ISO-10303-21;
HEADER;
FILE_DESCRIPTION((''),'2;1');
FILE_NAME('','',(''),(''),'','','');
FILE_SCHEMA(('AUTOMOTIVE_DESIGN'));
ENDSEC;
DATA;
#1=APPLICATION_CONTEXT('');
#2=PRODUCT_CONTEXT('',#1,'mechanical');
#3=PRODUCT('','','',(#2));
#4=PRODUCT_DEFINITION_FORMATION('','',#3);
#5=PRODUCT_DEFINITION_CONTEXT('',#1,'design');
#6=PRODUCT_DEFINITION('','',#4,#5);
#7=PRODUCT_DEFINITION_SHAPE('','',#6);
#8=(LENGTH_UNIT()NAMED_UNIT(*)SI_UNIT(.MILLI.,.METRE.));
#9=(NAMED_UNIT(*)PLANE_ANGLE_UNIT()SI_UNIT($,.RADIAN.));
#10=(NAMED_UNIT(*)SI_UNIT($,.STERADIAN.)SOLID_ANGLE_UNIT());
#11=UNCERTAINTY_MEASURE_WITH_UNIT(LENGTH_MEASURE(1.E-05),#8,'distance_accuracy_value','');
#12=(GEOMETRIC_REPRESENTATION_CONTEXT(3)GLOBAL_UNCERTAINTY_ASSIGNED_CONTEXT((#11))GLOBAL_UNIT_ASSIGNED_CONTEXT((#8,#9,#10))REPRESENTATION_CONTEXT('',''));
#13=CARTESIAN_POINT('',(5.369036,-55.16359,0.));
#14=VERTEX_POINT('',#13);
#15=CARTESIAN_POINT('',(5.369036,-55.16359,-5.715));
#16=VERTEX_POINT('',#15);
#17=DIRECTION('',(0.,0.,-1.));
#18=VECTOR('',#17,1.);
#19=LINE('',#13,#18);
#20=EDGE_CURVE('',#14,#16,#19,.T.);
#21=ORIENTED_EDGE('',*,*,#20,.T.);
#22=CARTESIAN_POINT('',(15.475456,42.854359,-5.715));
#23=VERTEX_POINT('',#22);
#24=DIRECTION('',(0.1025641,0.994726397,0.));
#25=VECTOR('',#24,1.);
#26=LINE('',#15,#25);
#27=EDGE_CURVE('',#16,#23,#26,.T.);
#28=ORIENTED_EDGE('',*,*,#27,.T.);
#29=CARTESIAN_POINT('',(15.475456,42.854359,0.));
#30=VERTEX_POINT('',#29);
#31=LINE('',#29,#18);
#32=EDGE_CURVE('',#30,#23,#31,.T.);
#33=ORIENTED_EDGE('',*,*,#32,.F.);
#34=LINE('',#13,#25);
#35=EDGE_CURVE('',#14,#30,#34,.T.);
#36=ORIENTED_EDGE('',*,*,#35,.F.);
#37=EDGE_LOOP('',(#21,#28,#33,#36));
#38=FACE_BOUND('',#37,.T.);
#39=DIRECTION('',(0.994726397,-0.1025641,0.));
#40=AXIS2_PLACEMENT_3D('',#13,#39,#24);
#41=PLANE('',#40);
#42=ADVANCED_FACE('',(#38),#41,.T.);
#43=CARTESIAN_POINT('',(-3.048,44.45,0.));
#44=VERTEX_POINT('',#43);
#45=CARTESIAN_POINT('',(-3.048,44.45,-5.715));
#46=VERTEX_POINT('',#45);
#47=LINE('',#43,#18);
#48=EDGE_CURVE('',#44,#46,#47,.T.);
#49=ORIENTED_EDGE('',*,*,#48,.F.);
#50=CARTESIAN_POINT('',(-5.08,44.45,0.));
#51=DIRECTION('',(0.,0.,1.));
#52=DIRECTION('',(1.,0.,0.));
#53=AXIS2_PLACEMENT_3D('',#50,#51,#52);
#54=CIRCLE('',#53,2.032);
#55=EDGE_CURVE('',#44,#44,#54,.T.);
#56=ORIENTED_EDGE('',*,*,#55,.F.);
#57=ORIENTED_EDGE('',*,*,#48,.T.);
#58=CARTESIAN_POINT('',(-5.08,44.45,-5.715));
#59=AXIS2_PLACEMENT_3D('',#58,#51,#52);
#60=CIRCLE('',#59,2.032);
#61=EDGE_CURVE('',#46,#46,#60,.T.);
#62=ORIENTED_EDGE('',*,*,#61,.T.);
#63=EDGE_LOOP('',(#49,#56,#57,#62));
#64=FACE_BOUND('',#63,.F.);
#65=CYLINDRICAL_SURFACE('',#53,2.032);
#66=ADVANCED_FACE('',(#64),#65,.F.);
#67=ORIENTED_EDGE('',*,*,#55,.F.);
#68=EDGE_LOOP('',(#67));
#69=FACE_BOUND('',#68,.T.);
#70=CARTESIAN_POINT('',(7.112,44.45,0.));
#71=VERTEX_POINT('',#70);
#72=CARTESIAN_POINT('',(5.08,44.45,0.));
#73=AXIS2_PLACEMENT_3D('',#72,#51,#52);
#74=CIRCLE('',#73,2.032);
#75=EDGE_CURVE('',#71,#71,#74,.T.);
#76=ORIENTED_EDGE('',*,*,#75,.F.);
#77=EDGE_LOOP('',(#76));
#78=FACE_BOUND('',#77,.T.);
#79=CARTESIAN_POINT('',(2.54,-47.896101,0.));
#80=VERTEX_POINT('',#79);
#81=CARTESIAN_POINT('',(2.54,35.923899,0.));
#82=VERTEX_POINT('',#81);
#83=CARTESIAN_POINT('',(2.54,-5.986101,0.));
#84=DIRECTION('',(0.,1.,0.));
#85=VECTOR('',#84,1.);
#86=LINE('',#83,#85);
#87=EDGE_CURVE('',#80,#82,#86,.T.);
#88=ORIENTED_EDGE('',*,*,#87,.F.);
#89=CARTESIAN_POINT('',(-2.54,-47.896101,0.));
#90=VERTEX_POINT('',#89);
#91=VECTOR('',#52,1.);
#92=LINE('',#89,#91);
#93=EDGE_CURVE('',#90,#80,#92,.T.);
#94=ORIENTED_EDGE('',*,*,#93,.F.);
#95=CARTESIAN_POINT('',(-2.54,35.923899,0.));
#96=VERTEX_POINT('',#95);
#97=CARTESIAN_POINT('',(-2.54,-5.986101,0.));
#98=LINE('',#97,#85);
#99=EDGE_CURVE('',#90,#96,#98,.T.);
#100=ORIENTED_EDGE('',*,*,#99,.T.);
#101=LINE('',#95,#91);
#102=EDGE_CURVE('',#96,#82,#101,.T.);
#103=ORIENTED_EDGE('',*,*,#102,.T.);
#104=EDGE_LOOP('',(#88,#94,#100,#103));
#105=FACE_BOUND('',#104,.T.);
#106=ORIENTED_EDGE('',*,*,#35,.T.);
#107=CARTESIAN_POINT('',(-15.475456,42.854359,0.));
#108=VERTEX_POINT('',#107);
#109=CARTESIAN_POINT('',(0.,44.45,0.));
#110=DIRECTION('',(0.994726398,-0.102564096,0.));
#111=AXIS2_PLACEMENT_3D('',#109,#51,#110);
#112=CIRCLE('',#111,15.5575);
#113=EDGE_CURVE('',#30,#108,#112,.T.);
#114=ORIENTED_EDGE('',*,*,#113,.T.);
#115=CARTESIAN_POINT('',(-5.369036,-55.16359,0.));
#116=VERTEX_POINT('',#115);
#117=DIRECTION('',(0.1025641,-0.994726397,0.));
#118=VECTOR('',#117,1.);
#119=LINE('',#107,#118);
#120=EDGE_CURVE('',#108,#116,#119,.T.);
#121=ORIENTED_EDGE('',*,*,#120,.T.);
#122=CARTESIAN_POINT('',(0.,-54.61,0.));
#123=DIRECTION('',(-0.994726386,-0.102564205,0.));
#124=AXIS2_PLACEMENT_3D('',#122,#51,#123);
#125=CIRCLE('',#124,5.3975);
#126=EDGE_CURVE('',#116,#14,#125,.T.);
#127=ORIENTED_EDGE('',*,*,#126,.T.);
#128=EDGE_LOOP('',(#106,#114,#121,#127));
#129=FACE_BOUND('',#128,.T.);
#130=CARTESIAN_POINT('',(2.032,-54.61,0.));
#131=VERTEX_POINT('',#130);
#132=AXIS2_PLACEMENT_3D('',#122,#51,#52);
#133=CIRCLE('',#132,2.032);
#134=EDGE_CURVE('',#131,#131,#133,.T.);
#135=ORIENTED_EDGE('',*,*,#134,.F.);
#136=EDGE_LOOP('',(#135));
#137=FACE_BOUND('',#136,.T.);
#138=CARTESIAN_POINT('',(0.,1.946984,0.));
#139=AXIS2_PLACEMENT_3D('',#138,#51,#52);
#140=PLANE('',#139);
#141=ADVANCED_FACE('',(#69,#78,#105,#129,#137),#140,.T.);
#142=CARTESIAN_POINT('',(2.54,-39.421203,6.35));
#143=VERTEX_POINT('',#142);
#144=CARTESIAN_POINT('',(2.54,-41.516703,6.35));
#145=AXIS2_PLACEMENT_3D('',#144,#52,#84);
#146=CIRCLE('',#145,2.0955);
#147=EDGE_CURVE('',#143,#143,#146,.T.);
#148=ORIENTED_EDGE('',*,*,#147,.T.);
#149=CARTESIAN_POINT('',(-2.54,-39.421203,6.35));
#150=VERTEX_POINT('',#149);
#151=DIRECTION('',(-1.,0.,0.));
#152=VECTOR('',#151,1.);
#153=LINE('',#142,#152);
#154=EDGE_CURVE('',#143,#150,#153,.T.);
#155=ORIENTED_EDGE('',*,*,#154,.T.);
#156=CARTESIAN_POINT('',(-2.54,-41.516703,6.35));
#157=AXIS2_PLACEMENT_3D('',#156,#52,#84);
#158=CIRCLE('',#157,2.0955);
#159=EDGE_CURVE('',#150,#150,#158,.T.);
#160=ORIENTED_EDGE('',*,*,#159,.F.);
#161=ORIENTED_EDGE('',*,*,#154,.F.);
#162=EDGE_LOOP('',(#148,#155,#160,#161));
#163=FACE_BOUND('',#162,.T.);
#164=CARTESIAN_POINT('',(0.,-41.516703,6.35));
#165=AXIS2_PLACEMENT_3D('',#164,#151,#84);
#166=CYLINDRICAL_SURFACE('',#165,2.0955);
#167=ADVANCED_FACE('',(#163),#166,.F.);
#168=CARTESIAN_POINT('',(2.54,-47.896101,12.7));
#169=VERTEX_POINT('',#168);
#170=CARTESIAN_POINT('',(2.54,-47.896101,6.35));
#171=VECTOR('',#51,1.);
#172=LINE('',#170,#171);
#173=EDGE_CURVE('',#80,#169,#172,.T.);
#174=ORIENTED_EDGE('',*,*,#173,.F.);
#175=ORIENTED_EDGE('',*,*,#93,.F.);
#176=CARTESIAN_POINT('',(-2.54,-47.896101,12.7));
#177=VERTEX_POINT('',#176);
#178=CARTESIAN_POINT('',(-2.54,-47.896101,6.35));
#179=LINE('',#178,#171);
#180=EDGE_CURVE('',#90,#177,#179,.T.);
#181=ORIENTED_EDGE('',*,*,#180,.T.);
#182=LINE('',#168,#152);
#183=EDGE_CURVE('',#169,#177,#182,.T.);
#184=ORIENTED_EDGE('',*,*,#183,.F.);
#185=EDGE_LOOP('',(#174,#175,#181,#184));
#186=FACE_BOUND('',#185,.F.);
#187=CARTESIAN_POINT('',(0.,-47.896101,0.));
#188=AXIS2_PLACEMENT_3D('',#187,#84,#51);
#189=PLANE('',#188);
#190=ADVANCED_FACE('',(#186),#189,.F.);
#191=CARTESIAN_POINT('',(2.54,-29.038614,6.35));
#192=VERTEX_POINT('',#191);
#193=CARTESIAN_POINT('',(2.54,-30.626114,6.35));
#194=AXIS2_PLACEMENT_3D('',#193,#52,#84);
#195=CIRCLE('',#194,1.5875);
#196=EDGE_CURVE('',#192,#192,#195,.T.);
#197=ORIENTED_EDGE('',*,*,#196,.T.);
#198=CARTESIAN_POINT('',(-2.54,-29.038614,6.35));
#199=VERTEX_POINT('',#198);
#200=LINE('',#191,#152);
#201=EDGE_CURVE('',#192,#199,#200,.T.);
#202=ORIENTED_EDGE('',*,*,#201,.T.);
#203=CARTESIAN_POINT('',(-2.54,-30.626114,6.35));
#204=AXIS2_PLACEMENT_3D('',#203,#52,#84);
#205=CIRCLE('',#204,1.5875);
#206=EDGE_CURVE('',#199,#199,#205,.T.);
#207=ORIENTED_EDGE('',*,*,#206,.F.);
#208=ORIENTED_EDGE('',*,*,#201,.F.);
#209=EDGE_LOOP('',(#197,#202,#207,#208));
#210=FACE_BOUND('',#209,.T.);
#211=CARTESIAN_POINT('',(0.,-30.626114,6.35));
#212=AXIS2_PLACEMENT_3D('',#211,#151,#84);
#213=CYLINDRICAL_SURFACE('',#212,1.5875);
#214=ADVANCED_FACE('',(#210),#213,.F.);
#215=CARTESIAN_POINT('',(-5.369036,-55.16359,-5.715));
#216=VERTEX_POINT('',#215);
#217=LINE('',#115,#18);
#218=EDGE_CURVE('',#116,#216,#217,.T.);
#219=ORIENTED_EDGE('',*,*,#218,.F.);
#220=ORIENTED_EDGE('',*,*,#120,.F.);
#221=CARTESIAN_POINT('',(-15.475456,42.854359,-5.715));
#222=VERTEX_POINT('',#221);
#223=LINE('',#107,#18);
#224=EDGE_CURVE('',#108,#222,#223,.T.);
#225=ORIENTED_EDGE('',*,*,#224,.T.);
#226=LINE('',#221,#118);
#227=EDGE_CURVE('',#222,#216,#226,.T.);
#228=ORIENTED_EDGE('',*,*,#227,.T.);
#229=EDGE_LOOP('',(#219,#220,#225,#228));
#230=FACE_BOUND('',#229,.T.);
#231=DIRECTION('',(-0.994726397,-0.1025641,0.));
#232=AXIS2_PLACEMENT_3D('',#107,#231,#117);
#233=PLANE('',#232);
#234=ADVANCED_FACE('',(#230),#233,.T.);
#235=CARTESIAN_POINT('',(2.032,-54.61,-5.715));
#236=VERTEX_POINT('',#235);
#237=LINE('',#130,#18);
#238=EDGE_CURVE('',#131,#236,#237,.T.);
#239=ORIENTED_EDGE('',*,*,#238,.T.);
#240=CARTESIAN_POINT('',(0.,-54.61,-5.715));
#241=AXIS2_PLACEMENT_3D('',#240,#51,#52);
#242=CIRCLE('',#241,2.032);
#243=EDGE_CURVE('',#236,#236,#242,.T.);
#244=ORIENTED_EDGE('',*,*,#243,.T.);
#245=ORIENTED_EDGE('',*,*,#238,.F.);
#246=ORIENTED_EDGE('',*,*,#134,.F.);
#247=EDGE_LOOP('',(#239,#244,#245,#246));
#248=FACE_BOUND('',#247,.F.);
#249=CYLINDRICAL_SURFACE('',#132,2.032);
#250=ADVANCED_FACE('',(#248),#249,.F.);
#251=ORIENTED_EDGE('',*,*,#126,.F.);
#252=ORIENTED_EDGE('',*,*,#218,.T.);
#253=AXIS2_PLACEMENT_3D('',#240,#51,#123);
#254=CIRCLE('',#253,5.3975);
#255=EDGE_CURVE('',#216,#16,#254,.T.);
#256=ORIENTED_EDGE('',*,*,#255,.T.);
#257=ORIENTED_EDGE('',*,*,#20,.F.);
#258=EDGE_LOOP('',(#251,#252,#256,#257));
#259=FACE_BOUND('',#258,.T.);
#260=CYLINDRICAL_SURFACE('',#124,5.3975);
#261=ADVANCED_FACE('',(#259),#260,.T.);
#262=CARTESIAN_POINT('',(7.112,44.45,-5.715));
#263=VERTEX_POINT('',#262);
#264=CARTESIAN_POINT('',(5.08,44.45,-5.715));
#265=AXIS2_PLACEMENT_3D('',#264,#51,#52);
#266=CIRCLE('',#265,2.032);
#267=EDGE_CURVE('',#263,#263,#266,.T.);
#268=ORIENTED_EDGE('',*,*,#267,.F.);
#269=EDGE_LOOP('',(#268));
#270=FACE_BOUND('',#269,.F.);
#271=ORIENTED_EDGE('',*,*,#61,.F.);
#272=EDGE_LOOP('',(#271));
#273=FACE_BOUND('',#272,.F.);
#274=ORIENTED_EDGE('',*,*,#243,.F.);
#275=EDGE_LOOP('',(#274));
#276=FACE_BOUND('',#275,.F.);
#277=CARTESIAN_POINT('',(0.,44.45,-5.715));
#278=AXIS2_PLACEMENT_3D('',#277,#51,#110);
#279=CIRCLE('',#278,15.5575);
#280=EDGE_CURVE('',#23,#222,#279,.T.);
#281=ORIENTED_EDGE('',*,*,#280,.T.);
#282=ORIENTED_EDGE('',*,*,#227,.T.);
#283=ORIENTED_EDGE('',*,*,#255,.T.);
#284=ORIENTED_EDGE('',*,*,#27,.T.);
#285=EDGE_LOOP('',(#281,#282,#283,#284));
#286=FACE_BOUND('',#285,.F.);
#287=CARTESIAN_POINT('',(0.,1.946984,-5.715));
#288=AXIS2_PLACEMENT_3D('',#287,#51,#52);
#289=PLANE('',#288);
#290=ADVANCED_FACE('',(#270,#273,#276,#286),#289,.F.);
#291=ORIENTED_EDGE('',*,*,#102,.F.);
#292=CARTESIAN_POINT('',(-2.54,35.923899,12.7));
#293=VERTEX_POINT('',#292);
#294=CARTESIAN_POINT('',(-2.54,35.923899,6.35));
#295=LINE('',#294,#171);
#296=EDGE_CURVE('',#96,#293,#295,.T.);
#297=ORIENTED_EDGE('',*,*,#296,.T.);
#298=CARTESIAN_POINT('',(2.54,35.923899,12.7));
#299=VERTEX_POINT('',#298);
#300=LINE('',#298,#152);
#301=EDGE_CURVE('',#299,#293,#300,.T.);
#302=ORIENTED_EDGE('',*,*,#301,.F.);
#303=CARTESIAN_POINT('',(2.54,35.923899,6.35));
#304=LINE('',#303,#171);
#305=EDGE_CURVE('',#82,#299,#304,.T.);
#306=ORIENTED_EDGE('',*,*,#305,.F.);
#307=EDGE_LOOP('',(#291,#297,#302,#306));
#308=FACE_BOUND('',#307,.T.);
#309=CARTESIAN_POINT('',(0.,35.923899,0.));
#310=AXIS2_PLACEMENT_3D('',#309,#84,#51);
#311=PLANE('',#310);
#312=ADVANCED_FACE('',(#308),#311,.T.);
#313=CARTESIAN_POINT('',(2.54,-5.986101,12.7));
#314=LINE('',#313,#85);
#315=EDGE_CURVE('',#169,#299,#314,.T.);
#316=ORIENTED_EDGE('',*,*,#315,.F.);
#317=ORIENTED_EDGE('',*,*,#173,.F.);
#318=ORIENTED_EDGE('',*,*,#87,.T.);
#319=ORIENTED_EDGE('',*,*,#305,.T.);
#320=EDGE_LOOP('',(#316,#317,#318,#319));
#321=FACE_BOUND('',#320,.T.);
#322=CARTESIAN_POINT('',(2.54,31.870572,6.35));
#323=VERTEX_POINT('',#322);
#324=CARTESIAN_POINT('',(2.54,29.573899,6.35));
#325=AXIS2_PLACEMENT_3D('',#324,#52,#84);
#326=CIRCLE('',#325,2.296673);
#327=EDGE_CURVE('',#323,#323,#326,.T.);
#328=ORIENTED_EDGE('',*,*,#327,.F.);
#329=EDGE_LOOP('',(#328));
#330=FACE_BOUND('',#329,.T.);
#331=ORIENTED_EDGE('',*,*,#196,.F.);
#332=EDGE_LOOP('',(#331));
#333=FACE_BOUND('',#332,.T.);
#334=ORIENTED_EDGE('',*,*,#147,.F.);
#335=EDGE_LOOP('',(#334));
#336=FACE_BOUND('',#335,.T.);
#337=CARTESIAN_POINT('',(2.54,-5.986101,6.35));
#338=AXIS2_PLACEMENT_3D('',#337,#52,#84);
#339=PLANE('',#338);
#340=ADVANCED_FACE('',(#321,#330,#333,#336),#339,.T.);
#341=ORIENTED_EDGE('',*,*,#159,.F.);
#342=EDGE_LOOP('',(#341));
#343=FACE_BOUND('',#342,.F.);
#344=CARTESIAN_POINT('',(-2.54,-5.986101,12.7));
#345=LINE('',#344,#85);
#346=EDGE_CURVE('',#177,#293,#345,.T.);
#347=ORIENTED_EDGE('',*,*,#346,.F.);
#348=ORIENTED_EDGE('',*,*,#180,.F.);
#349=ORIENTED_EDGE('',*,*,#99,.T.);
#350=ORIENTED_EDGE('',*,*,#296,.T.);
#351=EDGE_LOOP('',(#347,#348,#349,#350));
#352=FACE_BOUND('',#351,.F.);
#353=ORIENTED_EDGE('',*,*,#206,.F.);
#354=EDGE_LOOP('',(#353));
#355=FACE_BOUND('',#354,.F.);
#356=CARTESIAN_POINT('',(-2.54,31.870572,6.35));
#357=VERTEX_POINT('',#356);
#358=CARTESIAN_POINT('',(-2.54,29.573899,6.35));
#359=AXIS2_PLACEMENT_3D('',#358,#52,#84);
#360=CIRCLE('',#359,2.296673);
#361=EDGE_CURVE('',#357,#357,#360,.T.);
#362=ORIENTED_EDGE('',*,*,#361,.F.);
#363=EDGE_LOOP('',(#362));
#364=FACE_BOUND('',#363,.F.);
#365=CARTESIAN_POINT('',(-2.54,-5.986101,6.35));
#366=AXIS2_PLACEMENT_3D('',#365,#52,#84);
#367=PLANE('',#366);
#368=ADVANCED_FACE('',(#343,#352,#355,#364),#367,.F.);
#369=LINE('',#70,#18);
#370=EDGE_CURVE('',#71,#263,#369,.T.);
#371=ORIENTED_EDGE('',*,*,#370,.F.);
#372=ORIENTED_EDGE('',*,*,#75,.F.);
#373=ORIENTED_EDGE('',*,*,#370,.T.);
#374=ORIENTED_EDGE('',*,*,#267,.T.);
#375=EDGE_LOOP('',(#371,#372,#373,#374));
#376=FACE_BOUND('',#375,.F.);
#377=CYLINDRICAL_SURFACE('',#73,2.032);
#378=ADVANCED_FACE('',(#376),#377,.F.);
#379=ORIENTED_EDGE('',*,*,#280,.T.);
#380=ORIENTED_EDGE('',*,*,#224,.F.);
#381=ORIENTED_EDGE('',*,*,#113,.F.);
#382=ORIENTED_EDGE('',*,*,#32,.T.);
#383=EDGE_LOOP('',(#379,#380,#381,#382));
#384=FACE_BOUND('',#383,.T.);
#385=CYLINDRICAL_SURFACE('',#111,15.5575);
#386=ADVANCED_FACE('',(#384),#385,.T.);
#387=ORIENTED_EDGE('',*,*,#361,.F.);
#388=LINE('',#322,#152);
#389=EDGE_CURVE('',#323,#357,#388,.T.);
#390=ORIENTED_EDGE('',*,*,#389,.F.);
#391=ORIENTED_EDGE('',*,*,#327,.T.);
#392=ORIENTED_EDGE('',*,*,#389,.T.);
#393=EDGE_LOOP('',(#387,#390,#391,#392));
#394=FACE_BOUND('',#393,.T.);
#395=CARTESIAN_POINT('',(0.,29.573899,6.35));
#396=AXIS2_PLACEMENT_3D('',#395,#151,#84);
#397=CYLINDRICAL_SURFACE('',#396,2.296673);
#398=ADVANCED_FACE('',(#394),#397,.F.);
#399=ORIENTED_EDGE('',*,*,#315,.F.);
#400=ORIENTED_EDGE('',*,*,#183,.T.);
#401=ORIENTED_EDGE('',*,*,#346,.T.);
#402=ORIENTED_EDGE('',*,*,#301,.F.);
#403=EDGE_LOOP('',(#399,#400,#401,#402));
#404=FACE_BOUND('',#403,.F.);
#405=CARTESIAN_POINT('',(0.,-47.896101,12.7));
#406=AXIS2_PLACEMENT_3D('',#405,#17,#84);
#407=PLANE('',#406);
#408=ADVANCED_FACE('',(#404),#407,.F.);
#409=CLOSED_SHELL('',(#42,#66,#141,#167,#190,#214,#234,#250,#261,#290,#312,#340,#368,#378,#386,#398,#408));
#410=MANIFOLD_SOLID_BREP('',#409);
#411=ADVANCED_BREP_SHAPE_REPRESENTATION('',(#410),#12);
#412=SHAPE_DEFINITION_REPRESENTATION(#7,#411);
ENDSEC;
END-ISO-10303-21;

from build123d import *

# Parameters (mm, degrees)
F0_R     = 2.032
F1_DEPTH = 5.715
F2_W     = 83.82
F2_H     = 12.7
F2_R     = 2.0955
F2_R_2   = 1.5875
F2_R_3   = 2.296673
F3_DEPTH = 2.54


with BuildPart() as f1:
    # F0 (on Top) → F1 (new body)
    with BuildSketch(Plane.XY):
        with BuildLine():
            Line((-15.475456, 42.854359), (-5.369036, -55.16359))
            ThreePointArc((-5.369036, -55.16359), (0, -60.0075), (5.369036, -55.16359))
            Line((5.369036, -55.16359), (15.475456, 42.854359))
            ThreePointArc((15.475456, 42.854359), (0, 60.0075), (-15.475456, 42.854359))
        make_face()
        with Locations((0, -54.61)):
            Circle(F0_R, mode=Mode.SUBTRACT)
        with Locations((-5.08, 44.45)):
            Circle(F0_R, mode=Mode.SUBTRACT)
        with Locations((5.08, 44.45)):
            Circle(F0_R, mode=Mode.SUBTRACT)
    extrude(amount=-F1_DEPTH)

    # F2 (on Right) → F3 (join, symmetric)
    with BuildSketch(Plane.YZ):
        with Locations((-5.986101, 6.35)):
            Rectangle(F2_W, F2_H)
        with Locations((-41.516703, 6.35)):
            Circle(F2_R, mode=Mode.SUBTRACT)
        with Locations((-30.626114, 6.35)):
            Circle(F2_R_2, mode=Mode.SUBTRACT)
        with Locations((29.573899, 6.35)):
            Circle(F2_R_3, mode=Mode.SUBTRACT)
    extrude(amount=F3_DEPTH, both=True)


solid = f1.part
